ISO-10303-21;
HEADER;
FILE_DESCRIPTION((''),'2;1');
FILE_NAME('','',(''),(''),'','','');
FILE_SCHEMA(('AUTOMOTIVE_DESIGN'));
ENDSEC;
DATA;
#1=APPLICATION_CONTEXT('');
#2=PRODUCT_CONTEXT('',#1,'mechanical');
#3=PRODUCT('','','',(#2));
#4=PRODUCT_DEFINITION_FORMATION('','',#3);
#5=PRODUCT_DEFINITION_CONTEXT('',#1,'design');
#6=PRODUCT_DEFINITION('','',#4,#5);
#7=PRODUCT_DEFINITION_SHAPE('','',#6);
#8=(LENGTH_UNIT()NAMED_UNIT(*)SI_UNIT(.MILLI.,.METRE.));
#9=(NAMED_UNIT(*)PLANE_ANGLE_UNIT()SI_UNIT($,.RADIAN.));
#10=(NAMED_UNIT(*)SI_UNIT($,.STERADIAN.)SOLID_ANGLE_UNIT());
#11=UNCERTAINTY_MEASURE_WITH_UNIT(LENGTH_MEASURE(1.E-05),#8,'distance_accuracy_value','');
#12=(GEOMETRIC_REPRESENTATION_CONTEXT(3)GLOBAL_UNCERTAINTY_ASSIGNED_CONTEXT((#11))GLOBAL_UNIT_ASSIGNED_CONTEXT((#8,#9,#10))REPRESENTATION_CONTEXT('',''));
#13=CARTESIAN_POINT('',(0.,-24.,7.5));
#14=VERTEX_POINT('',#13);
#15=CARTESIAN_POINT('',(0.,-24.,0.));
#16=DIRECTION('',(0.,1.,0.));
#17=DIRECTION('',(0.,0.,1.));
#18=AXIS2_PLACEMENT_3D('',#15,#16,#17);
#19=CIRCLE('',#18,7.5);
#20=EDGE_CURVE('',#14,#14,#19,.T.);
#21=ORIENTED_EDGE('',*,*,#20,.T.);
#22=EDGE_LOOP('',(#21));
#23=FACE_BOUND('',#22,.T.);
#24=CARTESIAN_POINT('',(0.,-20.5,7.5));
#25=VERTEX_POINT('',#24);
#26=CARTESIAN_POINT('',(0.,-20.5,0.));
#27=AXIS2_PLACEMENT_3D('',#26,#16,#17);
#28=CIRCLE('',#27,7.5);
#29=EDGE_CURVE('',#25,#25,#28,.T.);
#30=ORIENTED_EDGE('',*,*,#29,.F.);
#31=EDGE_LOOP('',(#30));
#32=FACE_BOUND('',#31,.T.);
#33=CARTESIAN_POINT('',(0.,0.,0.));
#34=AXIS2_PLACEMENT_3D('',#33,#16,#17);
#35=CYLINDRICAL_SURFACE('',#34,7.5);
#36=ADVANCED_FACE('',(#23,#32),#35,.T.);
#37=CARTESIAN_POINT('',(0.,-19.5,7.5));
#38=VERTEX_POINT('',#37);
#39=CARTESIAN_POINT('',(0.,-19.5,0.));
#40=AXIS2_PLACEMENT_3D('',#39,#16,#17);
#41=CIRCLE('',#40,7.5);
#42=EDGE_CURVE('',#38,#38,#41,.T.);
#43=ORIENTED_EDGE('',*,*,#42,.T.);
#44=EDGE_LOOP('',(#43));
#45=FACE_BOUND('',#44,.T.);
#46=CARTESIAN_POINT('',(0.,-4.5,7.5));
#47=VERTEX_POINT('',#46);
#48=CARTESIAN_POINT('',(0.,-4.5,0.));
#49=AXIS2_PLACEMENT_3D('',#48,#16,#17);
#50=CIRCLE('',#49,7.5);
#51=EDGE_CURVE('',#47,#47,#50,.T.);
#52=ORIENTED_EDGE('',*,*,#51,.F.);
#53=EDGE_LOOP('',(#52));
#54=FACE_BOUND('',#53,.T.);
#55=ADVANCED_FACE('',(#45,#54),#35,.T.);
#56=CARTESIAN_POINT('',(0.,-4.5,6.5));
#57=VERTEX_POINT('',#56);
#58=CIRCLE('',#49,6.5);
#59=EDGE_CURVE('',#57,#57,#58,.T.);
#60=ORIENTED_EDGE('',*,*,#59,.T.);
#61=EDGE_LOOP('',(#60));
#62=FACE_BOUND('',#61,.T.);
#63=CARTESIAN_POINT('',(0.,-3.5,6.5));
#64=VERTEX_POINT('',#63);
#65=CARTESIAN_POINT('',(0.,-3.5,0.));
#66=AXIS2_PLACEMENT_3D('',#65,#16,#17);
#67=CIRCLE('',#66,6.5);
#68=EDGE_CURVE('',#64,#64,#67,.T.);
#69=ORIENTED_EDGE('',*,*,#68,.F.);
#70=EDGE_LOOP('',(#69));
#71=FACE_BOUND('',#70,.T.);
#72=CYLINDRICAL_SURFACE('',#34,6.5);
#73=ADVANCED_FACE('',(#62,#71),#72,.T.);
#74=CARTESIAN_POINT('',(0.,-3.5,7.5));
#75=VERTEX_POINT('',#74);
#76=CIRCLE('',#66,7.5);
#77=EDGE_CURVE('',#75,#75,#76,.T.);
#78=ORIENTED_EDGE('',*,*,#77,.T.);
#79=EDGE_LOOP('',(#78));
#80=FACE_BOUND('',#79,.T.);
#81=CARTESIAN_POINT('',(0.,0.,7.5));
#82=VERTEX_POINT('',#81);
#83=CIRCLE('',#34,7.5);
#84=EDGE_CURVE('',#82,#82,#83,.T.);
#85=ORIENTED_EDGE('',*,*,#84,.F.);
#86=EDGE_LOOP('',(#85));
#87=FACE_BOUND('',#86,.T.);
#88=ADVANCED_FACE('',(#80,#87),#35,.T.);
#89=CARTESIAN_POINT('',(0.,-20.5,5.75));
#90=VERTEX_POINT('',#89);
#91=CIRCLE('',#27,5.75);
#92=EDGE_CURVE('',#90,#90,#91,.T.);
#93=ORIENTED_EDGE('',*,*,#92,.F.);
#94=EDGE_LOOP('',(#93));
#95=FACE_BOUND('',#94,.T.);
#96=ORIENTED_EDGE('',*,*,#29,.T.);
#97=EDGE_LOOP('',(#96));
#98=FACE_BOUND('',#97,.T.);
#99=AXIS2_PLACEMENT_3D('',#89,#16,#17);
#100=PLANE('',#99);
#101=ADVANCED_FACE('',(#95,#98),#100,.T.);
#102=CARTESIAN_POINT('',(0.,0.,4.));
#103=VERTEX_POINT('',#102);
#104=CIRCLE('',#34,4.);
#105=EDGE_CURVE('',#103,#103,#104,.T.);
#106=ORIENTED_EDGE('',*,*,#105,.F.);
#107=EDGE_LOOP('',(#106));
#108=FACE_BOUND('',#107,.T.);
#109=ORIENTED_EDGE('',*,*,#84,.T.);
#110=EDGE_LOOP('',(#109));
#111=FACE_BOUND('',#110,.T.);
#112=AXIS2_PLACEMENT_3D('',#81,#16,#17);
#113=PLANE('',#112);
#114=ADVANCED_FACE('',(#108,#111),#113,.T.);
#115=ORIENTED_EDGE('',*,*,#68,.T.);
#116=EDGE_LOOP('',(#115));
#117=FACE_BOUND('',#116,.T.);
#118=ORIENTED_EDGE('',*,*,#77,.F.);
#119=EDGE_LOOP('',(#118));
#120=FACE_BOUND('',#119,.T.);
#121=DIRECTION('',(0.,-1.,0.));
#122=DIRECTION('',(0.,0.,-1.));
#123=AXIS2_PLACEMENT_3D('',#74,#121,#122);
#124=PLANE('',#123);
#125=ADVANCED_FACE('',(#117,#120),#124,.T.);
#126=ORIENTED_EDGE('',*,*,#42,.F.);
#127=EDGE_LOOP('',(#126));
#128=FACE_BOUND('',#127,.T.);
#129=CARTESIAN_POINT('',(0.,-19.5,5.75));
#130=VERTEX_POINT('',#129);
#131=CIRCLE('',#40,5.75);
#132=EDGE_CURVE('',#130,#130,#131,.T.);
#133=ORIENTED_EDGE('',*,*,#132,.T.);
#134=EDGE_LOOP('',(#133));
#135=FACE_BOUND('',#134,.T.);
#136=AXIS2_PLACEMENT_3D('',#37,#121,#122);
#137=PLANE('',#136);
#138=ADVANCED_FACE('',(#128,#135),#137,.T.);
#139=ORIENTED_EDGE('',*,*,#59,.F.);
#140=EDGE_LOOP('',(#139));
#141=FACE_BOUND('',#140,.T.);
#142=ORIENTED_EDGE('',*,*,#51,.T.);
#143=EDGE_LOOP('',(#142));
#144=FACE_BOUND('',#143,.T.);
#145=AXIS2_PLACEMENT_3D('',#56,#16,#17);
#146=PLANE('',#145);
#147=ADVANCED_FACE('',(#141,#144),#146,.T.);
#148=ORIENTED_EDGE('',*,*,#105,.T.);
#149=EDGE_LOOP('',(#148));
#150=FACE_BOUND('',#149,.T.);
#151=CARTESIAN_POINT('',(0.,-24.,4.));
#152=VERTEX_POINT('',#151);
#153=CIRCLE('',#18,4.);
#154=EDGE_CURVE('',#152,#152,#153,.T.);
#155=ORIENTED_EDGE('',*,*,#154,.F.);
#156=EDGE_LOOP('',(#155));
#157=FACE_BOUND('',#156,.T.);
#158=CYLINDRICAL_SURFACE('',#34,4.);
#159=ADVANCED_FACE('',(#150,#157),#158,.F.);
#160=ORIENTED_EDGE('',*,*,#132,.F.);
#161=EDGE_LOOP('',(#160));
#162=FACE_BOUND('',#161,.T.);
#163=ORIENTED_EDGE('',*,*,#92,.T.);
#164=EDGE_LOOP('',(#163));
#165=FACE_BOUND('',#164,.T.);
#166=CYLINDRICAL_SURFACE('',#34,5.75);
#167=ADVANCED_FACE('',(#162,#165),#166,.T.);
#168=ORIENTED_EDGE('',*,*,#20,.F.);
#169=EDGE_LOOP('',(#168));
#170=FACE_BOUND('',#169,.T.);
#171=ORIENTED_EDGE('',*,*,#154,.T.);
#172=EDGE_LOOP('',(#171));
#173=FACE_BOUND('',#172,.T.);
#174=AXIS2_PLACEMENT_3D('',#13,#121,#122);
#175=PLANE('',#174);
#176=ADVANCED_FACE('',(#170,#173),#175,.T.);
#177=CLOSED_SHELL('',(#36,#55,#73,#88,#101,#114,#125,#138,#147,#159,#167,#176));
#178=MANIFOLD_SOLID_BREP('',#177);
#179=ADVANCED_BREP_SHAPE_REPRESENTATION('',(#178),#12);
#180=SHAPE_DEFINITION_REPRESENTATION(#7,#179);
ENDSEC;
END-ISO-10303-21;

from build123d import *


with BuildPart() as part:
    # Croquis3 → Revolución2 (revolve)
    with BuildSketch(Plane(origin=(0, 0, 0), x_dir=(0, 0, -1), z_dir=(1, 0, 0))):
        Polygon((-7.5, 0), (-4, 0), (-4, -24), (-7.5, -24), (-7.5, -20.5), (-5.75, -20.5), (-5.75, -19.5), (-7.5, -19.5), (-7.5, -4.5), (-6.5, -4.5), (-6.5, -3.5), (-7.5, -3.5), align=None)
    revolve(axis=Axis((0, 0, 0), (0, -1, 0)))


solid = part.part
